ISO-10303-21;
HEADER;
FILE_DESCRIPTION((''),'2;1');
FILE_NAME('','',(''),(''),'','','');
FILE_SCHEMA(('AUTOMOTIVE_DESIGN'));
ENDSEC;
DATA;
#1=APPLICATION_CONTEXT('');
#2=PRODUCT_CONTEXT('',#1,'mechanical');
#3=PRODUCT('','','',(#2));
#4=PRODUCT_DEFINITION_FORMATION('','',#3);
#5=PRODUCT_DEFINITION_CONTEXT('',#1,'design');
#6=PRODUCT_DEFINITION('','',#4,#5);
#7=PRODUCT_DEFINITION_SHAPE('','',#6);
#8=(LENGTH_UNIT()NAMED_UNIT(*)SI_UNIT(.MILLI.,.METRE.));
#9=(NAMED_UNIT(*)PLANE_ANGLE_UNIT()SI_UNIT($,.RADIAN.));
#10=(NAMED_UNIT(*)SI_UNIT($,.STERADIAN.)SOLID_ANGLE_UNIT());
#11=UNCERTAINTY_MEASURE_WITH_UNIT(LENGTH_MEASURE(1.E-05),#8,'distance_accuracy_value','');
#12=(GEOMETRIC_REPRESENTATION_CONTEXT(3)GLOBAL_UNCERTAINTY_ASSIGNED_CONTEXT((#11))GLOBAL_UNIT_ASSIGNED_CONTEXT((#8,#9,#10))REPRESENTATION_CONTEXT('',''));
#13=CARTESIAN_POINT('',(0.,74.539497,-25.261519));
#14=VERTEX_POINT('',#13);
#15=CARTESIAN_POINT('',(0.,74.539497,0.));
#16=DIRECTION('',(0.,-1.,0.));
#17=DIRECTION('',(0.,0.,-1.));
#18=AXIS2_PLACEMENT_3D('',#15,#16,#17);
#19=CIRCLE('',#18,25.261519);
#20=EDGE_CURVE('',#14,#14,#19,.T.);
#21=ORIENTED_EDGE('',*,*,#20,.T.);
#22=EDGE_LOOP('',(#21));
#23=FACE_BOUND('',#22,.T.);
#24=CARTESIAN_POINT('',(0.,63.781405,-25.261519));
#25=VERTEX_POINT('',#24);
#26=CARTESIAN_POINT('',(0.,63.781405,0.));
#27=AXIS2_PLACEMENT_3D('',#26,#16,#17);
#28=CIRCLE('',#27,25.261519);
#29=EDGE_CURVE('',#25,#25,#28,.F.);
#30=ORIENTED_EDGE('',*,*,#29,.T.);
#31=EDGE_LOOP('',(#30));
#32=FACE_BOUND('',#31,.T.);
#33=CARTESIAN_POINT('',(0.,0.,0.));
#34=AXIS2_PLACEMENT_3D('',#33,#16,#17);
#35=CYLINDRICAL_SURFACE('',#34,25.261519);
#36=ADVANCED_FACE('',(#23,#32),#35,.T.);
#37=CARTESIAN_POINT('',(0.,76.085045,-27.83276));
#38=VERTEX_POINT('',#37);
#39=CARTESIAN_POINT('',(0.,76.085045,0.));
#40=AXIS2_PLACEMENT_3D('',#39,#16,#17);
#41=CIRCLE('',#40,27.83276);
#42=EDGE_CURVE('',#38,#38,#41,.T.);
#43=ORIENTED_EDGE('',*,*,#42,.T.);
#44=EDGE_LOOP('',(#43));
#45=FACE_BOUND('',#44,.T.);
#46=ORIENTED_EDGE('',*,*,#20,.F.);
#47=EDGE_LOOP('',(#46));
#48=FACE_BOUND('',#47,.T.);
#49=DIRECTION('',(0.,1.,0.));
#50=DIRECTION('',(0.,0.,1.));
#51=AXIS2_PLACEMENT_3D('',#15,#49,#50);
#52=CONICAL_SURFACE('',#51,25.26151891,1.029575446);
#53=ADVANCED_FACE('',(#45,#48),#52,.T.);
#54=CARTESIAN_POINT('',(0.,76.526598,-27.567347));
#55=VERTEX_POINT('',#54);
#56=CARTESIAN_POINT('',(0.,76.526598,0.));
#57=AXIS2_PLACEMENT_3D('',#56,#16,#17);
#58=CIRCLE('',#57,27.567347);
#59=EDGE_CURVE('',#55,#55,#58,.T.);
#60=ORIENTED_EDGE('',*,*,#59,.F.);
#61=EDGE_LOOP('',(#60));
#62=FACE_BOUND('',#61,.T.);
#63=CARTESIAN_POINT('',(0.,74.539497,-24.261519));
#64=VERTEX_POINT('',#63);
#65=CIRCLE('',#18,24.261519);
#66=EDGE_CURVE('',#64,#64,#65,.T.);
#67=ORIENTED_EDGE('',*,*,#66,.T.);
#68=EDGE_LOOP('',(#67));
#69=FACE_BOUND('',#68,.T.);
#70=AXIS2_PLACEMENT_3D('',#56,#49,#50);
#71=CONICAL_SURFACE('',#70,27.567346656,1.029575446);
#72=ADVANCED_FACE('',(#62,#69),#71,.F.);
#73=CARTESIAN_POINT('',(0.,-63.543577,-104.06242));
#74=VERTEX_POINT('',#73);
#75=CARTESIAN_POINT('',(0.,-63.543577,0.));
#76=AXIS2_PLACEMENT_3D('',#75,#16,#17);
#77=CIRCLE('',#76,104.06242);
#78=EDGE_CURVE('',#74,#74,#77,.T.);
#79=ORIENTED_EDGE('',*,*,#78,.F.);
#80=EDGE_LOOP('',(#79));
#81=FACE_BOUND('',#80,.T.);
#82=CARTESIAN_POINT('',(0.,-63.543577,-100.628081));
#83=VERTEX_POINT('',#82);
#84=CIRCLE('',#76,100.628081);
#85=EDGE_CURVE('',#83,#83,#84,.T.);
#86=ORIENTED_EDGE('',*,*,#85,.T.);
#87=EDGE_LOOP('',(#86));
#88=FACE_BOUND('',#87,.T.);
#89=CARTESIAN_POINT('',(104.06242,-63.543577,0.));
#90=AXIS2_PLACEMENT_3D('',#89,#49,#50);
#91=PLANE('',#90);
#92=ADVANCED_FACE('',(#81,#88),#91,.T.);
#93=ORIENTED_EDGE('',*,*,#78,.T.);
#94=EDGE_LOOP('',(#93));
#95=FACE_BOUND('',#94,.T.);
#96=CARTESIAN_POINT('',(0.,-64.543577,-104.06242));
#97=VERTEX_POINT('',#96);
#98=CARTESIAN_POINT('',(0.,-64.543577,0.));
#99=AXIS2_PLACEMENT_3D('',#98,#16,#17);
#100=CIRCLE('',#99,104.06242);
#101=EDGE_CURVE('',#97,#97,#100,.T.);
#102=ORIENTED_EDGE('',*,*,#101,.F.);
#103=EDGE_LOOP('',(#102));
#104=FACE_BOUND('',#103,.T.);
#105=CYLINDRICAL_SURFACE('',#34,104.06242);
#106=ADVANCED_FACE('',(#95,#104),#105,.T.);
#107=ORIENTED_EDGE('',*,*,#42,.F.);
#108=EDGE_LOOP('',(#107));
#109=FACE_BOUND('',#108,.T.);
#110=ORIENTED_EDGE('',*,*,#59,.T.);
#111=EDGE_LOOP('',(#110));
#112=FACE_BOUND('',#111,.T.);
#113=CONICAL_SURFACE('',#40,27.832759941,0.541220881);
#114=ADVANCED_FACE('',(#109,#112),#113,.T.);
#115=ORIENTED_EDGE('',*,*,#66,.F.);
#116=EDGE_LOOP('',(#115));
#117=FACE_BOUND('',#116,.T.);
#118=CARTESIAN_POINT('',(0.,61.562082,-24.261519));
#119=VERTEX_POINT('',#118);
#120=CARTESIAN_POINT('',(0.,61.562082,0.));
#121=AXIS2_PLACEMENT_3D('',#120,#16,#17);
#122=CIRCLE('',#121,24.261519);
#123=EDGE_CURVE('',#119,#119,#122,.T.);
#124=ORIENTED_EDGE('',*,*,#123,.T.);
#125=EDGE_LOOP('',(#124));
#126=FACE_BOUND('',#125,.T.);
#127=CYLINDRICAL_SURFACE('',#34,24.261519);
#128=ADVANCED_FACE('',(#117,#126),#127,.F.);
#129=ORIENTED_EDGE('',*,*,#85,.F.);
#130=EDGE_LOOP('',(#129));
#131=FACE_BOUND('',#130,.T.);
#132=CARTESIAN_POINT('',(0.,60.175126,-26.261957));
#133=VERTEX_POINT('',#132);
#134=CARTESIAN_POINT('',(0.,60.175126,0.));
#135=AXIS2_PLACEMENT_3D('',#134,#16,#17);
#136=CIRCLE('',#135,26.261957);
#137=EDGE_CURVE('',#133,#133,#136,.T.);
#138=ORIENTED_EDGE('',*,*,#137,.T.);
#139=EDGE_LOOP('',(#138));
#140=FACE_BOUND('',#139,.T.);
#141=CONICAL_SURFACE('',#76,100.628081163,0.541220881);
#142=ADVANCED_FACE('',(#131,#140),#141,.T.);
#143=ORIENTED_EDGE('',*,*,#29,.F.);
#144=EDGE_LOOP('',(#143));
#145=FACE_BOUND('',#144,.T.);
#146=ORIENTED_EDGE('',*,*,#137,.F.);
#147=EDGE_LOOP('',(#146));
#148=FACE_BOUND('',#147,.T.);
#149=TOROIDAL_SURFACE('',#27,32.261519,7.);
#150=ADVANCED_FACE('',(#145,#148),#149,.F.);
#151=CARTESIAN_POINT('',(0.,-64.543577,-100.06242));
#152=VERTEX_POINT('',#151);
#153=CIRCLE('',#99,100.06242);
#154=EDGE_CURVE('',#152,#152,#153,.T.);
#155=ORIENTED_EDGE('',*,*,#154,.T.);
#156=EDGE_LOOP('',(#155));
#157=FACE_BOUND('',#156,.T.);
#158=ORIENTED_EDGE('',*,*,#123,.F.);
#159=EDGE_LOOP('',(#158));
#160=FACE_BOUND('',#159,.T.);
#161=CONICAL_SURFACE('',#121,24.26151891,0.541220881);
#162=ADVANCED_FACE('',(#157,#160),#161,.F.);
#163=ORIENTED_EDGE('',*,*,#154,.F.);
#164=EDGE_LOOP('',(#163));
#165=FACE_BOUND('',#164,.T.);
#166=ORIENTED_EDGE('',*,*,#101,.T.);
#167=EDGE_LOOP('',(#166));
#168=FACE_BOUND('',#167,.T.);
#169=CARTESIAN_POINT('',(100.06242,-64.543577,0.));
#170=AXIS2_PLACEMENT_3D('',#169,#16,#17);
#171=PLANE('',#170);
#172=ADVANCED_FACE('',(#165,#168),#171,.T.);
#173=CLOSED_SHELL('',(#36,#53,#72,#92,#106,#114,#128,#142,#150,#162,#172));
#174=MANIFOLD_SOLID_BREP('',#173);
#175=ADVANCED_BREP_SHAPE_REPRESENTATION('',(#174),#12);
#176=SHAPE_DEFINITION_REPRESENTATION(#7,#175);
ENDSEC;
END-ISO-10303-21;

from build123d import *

# Parameters (mm, degrees)
FILLET1_R = 7


with BuildPart() as part:
    # Sketch1 → Revolve1 (revolve)
    with BuildSketch(Plane.XY):
        Polygon((25.26151891, 74.539497083), (25.26151891, 61.839497083), (100.628081163, -63.543576688), (104.062419804, -63.543576688), (104.062419804, -64.543576688), (100.062419804, -64.543576688), (24.26151891, 61.562081639), (24.26151891, 74.539497083), (27.567346656, 76.526598412), (27.832759941, 76.085045388), align=None)
    revolve(axis=Axis((0, 0, 0), (0, 1, 0)))

    # Fillet1
    fillet1_edges = [part.edges().sort_by_distance(p)[0] for p in [
        (-25.26151891, 61.839497083, 0),
    ]]
    fillet(fillet1_edges, radius=FILLET1_R)


solid = part.part
